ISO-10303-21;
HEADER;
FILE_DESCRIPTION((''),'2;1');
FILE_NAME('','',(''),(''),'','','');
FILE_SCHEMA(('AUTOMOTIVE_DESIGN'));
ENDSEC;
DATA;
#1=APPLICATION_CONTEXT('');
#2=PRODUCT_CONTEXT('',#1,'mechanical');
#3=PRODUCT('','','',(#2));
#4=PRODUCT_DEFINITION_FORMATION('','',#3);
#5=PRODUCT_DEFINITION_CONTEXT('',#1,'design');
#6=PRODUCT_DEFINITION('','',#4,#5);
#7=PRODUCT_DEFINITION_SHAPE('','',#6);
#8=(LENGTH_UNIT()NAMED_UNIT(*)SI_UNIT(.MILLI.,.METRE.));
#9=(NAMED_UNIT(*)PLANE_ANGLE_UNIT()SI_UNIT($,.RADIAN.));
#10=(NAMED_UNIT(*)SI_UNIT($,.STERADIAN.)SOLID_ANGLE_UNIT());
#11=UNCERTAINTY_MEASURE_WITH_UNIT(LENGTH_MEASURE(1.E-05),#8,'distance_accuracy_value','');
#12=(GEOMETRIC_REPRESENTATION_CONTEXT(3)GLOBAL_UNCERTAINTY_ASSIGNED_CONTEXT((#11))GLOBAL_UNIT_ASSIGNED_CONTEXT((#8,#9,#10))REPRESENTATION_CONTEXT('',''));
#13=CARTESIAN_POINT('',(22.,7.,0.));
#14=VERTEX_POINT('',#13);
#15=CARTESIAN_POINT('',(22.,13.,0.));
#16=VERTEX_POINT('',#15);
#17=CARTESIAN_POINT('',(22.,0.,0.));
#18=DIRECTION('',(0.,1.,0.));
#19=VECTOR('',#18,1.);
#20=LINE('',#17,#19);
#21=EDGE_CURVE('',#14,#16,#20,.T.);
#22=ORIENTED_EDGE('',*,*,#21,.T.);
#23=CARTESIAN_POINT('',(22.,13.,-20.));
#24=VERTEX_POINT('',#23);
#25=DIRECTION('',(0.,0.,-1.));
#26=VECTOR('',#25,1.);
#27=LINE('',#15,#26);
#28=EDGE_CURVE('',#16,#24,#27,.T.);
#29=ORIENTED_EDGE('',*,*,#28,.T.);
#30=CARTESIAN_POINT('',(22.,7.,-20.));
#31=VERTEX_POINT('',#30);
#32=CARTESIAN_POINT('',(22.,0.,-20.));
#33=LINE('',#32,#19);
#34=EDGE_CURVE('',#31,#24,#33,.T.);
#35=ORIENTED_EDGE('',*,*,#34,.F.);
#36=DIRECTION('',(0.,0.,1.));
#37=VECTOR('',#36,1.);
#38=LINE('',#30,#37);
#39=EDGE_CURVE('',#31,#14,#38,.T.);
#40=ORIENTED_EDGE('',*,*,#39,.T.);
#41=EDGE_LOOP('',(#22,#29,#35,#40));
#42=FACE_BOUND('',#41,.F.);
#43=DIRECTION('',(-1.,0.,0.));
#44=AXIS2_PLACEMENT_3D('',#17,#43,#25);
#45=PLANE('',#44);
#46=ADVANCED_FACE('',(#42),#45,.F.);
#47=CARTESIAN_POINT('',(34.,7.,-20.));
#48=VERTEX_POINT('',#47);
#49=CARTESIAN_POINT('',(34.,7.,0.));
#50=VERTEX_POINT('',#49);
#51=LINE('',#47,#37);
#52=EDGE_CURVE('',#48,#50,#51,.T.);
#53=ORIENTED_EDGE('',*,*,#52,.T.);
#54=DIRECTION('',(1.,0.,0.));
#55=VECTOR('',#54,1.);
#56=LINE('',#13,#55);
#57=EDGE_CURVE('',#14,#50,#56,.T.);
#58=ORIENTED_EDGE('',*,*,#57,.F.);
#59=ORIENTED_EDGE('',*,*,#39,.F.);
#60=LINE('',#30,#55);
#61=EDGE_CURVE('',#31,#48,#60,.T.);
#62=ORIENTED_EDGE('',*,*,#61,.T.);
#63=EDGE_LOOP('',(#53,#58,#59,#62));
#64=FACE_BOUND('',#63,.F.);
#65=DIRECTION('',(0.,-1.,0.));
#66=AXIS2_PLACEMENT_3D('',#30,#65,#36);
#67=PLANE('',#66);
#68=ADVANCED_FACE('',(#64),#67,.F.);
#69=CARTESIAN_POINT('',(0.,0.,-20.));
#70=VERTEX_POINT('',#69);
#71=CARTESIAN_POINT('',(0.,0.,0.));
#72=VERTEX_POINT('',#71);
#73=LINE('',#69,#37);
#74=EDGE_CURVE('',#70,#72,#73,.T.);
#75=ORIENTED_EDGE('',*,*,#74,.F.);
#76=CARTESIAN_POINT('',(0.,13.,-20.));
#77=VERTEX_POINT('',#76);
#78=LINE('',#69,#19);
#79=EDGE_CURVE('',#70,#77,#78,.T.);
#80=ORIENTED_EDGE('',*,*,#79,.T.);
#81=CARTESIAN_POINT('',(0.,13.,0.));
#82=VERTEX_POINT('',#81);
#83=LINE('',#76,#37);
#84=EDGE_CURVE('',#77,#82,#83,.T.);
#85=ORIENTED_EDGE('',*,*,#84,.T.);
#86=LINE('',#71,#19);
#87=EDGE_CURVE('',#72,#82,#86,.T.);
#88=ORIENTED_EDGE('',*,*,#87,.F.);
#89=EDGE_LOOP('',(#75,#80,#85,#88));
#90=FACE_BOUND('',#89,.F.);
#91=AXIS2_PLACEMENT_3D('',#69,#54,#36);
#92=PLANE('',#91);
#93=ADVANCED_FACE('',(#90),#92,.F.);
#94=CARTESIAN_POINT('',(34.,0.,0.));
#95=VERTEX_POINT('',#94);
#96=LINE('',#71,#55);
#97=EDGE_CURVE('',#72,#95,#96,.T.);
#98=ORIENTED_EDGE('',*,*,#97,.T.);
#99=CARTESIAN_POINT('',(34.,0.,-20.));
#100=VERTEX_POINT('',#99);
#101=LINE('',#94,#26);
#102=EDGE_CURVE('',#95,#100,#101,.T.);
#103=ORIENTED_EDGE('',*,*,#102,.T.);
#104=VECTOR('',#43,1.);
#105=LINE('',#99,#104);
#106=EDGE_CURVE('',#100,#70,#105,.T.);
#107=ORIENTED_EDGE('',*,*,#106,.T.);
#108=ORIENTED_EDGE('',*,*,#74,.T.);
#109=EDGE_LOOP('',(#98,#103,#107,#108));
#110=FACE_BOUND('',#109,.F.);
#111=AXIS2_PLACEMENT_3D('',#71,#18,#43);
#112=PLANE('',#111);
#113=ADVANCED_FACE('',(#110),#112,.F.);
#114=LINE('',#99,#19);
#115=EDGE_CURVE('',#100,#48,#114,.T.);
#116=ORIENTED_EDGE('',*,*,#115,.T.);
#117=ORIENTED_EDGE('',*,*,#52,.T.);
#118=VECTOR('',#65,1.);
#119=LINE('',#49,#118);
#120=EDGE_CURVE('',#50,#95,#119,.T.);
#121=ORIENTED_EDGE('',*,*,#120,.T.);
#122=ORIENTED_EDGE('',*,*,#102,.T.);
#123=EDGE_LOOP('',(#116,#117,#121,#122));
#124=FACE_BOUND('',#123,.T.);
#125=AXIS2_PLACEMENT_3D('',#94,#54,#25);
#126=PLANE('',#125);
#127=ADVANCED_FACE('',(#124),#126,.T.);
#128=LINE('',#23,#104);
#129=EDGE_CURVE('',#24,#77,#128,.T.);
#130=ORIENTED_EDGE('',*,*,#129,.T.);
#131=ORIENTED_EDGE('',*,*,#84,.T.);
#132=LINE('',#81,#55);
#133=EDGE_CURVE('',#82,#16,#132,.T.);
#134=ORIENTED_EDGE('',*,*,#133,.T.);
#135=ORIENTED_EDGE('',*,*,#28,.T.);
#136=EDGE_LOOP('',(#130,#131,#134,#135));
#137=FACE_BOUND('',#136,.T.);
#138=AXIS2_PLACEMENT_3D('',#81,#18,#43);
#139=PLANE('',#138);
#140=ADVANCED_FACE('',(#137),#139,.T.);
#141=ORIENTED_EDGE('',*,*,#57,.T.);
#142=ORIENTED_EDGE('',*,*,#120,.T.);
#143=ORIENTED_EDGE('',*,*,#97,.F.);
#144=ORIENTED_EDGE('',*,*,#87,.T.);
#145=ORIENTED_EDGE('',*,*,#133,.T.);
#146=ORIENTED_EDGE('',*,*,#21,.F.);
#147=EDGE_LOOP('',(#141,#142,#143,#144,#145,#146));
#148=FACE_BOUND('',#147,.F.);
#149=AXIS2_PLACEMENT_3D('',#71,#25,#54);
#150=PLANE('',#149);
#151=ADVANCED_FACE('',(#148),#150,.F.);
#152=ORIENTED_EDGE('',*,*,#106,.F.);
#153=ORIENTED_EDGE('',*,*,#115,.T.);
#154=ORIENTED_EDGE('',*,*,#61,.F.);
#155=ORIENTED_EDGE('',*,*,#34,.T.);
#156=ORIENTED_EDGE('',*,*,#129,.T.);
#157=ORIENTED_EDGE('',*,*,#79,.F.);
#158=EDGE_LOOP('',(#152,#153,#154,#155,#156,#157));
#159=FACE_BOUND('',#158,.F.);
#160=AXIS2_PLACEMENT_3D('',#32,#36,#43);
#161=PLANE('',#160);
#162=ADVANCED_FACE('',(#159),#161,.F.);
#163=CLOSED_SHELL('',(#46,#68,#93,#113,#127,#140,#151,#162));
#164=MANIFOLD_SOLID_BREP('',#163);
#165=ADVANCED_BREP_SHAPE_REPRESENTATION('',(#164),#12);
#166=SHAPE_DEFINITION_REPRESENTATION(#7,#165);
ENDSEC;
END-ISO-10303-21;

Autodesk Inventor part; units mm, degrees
ref_plane "YZ Plane" through (0, 0, 0) normal (1, 0, 0) x (0, 1, 0)
ref_plane "XZ Plane" through (0, 0, 0) normal (0, 1, 0) x (-1, 0, 0)
ref_plane "XY Plane" through (0, 0, 0) normal (0, 0, 1) x (1, 0, 0)
sketch "Sketch1" plane through (0, 0, 0) normal (0, 1, 0) x (-1, 0, 0)
  line L0 (0, 0) -> (-22, 0)
  line L1 (-22, 0) -> (-22, -20)
  line L2 (-22, -20) -> (0, -20)
  line L3 (0, -20) -> (0, 0)
  dimension "d0" = 22
  dimension "d1" = 20
extrude "Extrusion1" add sketch "Sketch1" along normal blind 13
sketch "Sketch2" plane through (22, 0, 0) normal (1, 0, 0) x (0, 0, -1)
  line L0 (20, 0) -> (20, 13) projected
  line L1 (0, 0) -> (20, 0)
  line L2 (20, 0) -> (20, 7)
  line L3 (20, 7) -> (0, 7)
  line L4 (0, 7) -> (0, 0)
  dimension "d4" = 7
extrude "Extrusion2" add sketch "Sketch2" along normal blind 12
properties part number "power supply2"
